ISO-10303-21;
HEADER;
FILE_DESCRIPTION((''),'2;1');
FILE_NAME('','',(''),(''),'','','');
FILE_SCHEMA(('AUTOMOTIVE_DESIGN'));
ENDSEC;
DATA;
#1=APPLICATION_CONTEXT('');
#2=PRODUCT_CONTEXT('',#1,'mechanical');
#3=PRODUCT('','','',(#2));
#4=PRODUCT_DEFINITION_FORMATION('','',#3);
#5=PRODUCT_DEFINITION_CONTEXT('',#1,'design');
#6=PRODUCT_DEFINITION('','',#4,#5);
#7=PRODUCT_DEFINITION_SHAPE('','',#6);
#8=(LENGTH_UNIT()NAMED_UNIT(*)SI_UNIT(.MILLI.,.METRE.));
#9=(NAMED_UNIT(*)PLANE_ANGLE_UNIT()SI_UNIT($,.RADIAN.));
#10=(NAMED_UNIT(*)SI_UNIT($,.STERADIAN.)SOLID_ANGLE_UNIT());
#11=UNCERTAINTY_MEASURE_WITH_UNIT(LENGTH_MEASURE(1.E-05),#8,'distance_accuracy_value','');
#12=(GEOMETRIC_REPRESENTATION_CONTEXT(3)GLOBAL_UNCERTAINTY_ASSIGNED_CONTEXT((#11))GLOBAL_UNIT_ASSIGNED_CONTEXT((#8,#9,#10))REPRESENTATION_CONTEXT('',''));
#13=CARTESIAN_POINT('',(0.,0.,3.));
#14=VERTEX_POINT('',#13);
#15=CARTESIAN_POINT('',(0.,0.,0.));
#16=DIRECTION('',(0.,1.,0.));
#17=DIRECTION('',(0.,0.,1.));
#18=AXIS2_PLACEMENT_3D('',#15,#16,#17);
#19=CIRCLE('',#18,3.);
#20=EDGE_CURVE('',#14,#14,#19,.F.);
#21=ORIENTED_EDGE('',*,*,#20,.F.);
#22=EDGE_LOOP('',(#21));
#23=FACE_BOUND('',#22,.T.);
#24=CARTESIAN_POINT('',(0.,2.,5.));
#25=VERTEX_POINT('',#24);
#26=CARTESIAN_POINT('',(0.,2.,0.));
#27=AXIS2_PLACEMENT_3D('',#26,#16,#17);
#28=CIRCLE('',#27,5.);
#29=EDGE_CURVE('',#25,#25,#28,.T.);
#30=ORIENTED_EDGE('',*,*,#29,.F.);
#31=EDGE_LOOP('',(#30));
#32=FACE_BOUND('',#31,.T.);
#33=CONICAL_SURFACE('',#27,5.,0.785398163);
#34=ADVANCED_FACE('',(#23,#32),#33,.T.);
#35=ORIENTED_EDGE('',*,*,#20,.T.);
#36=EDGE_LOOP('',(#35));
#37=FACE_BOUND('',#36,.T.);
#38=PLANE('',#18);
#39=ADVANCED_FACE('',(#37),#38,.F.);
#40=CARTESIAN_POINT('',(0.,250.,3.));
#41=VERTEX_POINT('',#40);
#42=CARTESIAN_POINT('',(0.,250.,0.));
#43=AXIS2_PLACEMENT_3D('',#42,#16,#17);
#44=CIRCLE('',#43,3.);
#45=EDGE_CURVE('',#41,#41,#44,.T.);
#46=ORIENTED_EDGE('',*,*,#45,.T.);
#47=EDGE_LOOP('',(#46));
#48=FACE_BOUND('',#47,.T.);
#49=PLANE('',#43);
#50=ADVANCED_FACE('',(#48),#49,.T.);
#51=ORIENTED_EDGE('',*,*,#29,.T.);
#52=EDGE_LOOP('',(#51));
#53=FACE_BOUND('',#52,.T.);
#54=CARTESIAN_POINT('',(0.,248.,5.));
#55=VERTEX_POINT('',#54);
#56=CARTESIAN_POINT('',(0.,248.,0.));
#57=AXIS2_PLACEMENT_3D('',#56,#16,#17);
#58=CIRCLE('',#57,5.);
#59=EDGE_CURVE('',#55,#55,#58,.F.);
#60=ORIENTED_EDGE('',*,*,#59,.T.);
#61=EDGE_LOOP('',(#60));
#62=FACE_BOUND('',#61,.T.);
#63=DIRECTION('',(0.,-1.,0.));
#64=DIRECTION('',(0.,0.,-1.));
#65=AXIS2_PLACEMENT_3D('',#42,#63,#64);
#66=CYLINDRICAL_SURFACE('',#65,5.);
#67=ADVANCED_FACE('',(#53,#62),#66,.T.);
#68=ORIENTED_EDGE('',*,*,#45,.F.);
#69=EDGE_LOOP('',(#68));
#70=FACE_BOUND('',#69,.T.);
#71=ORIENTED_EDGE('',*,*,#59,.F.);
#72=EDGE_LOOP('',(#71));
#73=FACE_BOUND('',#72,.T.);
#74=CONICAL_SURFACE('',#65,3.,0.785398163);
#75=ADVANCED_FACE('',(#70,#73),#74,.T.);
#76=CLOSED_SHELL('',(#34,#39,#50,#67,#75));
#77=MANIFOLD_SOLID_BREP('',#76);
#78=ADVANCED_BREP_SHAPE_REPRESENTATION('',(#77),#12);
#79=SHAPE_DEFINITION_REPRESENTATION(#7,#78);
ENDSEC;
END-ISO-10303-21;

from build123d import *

# Parameters (mm, degrees)
SKETCH1_R           = 5
BOSS_EXTRUDE1_DEPTH = 250
CHAMFER1_SIZE       = 2


with BuildPart() as part:
    # Sketch1 → Boss-Extrude1 (new body)
    with BuildSketch(Plane(origin=(0, 0, 0), x_dir=(1, 0, 0), z_dir=(0, 1, 0))):
        with Locations(Location((0, 0, 0), (0, 0, 270))):  # turned: the seam where the file's is
            Circle(SKETCH1_R)
    extrude(amount=BOSS_EXTRUDE1_DEPTH)

    # Chamfer1
    chamfer1_edges = [part.edges().sort_by_distance(p)[0] for p in [
        (0, 0, -5),
        (0, 250, -5),
    ]]
    chamfer(chamfer1_edges, length=CHAMFER1_SIZE)


solid = part.part
